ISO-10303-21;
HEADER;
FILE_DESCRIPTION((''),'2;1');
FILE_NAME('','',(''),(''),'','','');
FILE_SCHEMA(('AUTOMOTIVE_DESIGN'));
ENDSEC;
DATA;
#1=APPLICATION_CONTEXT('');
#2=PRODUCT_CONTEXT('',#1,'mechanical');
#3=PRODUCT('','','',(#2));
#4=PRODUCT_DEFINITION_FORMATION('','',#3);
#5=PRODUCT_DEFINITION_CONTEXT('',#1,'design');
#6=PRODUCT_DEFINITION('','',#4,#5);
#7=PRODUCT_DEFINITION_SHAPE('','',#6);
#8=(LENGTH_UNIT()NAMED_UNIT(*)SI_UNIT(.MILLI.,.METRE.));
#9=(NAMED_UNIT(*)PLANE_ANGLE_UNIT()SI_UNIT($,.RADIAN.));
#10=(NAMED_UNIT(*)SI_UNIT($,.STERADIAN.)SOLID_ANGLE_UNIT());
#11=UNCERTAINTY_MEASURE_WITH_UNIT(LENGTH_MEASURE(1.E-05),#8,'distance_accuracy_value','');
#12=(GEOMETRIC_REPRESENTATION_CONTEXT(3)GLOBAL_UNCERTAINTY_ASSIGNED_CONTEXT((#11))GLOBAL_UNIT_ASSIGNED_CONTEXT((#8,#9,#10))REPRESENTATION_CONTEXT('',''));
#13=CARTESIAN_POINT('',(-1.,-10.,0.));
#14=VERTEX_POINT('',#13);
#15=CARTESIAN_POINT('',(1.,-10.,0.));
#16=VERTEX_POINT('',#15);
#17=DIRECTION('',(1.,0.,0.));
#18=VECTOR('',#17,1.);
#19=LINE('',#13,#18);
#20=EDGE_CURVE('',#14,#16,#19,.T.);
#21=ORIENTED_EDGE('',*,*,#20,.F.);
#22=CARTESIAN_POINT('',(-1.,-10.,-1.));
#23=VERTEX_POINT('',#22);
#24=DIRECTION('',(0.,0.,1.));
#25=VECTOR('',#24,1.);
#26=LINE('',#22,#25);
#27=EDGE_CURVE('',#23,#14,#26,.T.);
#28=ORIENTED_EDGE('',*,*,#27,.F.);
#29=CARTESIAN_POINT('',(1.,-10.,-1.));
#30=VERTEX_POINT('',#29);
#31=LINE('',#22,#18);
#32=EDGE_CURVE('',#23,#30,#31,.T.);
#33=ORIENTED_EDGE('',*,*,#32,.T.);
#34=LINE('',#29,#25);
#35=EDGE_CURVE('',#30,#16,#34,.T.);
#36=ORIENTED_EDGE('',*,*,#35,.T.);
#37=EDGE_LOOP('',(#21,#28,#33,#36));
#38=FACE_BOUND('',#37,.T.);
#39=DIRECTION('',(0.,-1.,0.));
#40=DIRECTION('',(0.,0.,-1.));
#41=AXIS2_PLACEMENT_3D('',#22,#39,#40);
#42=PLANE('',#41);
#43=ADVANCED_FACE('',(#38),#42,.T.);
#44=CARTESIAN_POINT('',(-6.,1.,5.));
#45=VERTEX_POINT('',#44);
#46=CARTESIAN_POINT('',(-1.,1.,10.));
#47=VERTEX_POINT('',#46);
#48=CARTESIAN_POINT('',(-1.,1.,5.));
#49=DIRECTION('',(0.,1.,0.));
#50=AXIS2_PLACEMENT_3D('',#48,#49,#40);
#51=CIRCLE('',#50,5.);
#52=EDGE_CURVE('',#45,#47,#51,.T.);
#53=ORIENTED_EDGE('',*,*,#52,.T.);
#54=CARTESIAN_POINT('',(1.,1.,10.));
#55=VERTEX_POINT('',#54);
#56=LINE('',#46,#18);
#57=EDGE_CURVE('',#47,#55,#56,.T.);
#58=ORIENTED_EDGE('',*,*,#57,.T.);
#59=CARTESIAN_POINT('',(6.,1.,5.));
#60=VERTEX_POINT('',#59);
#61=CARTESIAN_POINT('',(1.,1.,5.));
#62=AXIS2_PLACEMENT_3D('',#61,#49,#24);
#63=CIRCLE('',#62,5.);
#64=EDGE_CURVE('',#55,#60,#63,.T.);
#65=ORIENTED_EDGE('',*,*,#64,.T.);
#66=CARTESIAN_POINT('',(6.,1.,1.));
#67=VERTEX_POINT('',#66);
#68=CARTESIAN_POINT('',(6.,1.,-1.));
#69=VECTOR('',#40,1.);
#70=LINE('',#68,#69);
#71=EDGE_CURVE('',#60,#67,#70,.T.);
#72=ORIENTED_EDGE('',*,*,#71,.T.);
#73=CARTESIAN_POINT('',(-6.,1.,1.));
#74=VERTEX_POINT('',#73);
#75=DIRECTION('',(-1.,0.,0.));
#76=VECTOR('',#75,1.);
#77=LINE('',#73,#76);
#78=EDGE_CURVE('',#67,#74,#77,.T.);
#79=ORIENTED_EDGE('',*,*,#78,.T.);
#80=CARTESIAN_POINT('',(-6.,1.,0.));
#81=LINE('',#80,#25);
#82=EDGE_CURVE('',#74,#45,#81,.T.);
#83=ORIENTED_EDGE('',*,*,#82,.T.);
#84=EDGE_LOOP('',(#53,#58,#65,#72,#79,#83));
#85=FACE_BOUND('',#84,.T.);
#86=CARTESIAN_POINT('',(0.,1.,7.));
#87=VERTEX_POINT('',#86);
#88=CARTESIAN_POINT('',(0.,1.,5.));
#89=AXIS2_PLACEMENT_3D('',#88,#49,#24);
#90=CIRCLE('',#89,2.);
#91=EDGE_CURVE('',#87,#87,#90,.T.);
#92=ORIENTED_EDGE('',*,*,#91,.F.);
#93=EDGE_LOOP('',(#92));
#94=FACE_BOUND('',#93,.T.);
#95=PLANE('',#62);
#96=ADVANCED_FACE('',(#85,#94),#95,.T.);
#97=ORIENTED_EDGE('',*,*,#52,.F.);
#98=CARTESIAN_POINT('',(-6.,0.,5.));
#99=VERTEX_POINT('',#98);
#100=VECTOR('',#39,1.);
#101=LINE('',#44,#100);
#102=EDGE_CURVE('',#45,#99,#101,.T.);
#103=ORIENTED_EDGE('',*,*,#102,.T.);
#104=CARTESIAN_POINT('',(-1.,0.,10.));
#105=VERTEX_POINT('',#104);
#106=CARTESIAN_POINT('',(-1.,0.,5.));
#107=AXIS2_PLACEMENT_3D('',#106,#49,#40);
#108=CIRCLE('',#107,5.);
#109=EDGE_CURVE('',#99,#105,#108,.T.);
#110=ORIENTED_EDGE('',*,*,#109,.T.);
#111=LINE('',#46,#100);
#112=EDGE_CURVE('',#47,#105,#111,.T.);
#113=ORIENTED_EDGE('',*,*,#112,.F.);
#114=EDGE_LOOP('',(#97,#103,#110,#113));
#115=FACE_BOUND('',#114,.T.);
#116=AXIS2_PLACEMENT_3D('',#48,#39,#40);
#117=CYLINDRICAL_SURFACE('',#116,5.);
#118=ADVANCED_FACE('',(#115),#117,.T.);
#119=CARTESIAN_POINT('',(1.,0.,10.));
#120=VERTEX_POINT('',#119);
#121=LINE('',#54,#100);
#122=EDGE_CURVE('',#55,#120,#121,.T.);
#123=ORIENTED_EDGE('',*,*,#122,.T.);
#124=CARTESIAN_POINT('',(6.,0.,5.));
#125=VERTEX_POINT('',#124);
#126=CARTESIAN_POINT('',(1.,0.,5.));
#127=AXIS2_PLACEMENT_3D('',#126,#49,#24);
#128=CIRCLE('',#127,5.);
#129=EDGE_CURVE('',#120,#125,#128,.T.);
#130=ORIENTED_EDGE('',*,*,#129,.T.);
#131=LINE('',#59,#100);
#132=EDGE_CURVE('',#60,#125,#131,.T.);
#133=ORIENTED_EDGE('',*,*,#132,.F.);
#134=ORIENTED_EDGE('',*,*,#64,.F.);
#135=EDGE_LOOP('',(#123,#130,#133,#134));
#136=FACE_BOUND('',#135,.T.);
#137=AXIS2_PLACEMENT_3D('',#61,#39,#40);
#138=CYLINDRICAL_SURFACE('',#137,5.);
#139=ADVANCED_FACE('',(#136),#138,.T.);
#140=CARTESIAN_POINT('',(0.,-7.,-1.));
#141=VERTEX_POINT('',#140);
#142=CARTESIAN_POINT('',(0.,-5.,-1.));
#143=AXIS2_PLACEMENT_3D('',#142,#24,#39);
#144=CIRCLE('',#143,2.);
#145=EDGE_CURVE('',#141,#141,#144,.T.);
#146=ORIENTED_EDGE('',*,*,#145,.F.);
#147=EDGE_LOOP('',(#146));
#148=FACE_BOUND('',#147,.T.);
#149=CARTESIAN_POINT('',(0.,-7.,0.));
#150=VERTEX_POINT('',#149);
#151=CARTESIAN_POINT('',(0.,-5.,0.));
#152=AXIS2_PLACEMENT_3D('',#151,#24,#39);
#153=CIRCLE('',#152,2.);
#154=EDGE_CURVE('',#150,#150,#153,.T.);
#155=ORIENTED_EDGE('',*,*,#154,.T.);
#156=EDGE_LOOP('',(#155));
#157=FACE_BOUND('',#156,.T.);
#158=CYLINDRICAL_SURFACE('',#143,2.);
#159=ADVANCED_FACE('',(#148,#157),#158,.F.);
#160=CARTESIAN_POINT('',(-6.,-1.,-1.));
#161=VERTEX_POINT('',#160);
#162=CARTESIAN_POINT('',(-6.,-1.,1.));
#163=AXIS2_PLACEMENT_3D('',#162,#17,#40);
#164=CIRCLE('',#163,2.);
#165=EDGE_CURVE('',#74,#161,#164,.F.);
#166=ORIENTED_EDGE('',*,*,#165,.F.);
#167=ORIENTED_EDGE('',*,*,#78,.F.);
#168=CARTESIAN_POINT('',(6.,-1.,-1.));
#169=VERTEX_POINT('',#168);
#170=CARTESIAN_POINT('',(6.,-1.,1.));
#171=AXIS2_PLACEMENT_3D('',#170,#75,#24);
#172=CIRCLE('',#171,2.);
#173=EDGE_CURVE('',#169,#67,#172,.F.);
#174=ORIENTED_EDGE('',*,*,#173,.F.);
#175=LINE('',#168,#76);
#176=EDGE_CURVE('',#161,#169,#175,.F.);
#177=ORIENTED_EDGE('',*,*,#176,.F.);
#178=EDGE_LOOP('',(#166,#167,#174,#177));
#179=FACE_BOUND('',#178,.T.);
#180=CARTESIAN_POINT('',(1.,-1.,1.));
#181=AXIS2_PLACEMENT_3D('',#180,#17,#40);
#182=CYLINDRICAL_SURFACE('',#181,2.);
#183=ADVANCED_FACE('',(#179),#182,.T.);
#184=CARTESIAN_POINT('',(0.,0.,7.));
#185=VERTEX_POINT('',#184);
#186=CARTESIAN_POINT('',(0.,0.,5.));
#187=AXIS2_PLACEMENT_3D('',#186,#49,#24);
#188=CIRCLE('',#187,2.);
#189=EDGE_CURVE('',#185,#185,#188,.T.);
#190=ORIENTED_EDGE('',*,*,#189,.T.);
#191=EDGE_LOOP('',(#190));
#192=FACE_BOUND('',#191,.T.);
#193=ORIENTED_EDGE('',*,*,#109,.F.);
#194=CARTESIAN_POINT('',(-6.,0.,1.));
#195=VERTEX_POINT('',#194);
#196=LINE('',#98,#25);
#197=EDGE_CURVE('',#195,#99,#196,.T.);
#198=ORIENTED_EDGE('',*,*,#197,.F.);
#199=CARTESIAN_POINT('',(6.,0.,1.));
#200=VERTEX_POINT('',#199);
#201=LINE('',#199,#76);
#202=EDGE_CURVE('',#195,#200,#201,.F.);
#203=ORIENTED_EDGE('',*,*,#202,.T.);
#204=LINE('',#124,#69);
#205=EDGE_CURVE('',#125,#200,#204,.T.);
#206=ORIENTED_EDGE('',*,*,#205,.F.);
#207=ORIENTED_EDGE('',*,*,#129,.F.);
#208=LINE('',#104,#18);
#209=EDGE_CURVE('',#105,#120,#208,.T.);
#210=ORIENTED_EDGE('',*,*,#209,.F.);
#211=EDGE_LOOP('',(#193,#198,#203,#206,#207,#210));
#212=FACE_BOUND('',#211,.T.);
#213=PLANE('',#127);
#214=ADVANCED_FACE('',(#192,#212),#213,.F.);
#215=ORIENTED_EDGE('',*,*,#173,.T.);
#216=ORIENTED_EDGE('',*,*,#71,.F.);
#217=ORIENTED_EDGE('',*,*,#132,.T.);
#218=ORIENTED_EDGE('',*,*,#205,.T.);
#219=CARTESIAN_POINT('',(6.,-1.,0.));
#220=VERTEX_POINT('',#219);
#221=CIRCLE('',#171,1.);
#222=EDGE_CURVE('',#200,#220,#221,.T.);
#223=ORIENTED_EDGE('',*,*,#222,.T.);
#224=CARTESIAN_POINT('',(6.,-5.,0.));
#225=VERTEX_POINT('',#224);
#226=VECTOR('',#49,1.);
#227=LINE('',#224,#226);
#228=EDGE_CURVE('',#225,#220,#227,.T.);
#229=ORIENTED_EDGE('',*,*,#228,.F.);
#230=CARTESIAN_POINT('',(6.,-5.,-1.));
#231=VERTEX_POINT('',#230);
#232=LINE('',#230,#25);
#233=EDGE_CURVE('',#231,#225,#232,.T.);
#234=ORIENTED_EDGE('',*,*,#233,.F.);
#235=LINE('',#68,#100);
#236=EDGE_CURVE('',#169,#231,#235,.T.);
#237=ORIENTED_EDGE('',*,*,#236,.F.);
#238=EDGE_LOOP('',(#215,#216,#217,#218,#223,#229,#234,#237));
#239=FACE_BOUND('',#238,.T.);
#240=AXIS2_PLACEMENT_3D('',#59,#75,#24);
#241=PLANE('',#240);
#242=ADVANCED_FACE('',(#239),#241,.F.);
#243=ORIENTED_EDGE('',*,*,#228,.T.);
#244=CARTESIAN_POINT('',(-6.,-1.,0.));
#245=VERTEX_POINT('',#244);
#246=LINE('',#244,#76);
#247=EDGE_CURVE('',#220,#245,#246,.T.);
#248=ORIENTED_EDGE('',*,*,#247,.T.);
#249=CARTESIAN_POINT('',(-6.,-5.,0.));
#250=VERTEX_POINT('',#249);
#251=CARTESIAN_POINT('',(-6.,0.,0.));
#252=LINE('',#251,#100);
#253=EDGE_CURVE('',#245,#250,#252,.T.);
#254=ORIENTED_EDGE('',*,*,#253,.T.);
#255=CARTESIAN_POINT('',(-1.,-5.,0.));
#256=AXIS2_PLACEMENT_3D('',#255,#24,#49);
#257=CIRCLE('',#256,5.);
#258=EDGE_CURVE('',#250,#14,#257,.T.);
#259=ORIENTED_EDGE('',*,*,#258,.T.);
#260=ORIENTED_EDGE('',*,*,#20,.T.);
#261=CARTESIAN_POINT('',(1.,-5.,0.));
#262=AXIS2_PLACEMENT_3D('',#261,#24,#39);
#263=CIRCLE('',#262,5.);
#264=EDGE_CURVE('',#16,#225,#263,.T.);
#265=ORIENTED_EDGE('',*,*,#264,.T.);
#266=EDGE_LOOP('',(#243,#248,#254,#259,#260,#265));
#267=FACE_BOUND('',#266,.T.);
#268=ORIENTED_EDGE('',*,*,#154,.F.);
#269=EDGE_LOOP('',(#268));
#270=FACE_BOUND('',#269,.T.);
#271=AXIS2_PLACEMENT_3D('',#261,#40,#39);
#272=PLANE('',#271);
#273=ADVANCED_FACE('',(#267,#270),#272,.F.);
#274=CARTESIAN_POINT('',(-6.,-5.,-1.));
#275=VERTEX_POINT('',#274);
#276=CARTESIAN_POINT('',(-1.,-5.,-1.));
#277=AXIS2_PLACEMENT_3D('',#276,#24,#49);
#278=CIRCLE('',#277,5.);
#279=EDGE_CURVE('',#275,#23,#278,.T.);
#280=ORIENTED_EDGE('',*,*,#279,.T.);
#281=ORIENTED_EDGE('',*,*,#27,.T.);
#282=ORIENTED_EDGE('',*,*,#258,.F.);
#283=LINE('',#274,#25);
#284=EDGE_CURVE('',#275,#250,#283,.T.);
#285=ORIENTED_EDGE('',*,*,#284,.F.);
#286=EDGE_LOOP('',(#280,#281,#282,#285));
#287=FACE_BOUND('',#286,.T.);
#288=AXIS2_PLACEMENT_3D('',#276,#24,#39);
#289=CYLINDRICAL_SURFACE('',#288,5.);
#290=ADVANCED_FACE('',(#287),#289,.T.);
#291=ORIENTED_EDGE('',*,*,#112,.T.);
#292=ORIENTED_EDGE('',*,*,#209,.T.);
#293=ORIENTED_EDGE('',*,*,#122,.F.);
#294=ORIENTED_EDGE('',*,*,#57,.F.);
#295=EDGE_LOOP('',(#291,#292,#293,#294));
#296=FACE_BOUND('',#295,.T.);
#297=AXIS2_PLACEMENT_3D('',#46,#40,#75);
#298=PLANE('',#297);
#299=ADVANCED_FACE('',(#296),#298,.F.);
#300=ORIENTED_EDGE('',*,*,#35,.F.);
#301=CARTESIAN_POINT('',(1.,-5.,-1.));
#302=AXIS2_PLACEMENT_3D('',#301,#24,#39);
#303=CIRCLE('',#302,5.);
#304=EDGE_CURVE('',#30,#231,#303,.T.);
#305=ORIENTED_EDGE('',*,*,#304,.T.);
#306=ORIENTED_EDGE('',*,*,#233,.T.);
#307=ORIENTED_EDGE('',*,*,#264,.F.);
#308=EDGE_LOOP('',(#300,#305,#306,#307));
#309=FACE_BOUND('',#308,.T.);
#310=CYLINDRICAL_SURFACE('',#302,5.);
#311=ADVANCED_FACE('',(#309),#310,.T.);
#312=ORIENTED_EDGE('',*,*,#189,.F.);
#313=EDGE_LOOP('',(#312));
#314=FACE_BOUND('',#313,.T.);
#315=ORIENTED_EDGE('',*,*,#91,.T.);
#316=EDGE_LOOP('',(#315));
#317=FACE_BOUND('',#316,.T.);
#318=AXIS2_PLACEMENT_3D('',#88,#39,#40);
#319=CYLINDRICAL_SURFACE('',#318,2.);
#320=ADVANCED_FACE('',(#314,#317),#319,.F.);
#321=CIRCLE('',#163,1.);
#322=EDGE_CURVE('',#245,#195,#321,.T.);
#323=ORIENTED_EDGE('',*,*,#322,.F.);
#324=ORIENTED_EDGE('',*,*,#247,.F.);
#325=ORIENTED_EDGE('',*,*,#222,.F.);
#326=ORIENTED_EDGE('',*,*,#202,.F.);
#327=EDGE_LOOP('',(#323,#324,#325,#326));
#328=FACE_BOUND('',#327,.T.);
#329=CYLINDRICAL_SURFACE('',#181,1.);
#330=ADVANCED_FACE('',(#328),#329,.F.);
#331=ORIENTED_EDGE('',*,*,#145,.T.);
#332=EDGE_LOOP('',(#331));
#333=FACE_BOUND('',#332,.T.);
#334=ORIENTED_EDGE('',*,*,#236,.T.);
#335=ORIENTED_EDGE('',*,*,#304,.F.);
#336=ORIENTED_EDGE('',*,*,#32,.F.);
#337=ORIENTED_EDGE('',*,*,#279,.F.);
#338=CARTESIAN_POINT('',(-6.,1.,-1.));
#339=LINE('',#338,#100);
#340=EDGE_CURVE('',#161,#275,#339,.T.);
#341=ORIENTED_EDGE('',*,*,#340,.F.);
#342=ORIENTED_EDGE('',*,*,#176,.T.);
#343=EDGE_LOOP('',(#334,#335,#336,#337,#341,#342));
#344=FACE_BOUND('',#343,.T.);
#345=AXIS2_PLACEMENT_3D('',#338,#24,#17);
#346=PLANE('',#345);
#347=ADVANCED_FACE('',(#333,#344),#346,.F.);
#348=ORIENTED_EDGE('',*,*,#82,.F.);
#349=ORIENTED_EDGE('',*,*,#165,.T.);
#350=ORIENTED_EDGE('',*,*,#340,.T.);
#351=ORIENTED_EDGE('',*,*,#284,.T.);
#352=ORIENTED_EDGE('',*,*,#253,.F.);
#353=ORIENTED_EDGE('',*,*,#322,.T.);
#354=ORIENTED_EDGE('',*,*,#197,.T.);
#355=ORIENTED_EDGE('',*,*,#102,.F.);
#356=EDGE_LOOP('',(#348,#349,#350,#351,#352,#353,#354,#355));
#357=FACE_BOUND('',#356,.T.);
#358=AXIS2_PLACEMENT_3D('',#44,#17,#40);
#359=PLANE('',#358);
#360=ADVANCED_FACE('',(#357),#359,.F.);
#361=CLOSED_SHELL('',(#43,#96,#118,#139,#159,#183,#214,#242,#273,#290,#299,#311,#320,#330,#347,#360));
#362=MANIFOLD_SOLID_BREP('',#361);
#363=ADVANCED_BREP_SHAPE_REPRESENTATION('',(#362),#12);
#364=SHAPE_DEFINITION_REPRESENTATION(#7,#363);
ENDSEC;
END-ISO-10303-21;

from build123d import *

# Parameters (mm, degrees)
SKETCH1_R      = 2
EXTRUDE1_DEPTH = 1
FILLET2_R      = 1
FILLET3_R      = 2


with BuildPart() as part:
    # Sketch1 → Extrude1 (new body)
    with BuildSketch(Plane(origin=(0, 0, 0), x_dir=(1, 0, 0), z_dir=(0, 1, 0))):
        with BuildLine():
            Line((-6, 0), (-6, 1))
            Line((-6, 1), (6, 1))
            Line((6, 1), (6, 0))
            Line((6, 0), (6, -5))
            ThreePointArc((6, -5), (4.535533906, -8.535533906), (1, -10))
            Line((1, -10), (-1, -10))
            ThreePointArc((-1, -10), (-4.535533906, -8.535533906), (-6, -5))
            Line((-6, -5), (-6, 0))
        make_face()
        with Locations(Location((0, -5, 0), (0, 0, 270))):  # turned: the seam where the file's is
            Circle(SKETCH1_R, mode=Mode.SUBTRACT)
    extrude1 = extrude(amount=EXTRUDE1_DEPTH)

    # Mirror2: Extrude1 across plane
    add(extrude1.mirror(Plane(origin=(0, 0, 0), x_dir=(0, -0.707106781, 0.707106781), z_dir=(0, -0.707106781, -0.707106781))))

    # Fillet2
    fillet2_edges = [part.edges().sort_by_distance(p)[0] for p in [
        (0, 0, 0),
    ]]
    fillet(fillet2_edges, radius=FILLET2_R)

    # Fillet3
    fillet3_edges = [part.edges().sort_by_distance(p)[0] for p in [
        (0, 1, -1),
    ]]
    fillet(fillet3_edges, radius=FILLET3_R)


solid = part.part
